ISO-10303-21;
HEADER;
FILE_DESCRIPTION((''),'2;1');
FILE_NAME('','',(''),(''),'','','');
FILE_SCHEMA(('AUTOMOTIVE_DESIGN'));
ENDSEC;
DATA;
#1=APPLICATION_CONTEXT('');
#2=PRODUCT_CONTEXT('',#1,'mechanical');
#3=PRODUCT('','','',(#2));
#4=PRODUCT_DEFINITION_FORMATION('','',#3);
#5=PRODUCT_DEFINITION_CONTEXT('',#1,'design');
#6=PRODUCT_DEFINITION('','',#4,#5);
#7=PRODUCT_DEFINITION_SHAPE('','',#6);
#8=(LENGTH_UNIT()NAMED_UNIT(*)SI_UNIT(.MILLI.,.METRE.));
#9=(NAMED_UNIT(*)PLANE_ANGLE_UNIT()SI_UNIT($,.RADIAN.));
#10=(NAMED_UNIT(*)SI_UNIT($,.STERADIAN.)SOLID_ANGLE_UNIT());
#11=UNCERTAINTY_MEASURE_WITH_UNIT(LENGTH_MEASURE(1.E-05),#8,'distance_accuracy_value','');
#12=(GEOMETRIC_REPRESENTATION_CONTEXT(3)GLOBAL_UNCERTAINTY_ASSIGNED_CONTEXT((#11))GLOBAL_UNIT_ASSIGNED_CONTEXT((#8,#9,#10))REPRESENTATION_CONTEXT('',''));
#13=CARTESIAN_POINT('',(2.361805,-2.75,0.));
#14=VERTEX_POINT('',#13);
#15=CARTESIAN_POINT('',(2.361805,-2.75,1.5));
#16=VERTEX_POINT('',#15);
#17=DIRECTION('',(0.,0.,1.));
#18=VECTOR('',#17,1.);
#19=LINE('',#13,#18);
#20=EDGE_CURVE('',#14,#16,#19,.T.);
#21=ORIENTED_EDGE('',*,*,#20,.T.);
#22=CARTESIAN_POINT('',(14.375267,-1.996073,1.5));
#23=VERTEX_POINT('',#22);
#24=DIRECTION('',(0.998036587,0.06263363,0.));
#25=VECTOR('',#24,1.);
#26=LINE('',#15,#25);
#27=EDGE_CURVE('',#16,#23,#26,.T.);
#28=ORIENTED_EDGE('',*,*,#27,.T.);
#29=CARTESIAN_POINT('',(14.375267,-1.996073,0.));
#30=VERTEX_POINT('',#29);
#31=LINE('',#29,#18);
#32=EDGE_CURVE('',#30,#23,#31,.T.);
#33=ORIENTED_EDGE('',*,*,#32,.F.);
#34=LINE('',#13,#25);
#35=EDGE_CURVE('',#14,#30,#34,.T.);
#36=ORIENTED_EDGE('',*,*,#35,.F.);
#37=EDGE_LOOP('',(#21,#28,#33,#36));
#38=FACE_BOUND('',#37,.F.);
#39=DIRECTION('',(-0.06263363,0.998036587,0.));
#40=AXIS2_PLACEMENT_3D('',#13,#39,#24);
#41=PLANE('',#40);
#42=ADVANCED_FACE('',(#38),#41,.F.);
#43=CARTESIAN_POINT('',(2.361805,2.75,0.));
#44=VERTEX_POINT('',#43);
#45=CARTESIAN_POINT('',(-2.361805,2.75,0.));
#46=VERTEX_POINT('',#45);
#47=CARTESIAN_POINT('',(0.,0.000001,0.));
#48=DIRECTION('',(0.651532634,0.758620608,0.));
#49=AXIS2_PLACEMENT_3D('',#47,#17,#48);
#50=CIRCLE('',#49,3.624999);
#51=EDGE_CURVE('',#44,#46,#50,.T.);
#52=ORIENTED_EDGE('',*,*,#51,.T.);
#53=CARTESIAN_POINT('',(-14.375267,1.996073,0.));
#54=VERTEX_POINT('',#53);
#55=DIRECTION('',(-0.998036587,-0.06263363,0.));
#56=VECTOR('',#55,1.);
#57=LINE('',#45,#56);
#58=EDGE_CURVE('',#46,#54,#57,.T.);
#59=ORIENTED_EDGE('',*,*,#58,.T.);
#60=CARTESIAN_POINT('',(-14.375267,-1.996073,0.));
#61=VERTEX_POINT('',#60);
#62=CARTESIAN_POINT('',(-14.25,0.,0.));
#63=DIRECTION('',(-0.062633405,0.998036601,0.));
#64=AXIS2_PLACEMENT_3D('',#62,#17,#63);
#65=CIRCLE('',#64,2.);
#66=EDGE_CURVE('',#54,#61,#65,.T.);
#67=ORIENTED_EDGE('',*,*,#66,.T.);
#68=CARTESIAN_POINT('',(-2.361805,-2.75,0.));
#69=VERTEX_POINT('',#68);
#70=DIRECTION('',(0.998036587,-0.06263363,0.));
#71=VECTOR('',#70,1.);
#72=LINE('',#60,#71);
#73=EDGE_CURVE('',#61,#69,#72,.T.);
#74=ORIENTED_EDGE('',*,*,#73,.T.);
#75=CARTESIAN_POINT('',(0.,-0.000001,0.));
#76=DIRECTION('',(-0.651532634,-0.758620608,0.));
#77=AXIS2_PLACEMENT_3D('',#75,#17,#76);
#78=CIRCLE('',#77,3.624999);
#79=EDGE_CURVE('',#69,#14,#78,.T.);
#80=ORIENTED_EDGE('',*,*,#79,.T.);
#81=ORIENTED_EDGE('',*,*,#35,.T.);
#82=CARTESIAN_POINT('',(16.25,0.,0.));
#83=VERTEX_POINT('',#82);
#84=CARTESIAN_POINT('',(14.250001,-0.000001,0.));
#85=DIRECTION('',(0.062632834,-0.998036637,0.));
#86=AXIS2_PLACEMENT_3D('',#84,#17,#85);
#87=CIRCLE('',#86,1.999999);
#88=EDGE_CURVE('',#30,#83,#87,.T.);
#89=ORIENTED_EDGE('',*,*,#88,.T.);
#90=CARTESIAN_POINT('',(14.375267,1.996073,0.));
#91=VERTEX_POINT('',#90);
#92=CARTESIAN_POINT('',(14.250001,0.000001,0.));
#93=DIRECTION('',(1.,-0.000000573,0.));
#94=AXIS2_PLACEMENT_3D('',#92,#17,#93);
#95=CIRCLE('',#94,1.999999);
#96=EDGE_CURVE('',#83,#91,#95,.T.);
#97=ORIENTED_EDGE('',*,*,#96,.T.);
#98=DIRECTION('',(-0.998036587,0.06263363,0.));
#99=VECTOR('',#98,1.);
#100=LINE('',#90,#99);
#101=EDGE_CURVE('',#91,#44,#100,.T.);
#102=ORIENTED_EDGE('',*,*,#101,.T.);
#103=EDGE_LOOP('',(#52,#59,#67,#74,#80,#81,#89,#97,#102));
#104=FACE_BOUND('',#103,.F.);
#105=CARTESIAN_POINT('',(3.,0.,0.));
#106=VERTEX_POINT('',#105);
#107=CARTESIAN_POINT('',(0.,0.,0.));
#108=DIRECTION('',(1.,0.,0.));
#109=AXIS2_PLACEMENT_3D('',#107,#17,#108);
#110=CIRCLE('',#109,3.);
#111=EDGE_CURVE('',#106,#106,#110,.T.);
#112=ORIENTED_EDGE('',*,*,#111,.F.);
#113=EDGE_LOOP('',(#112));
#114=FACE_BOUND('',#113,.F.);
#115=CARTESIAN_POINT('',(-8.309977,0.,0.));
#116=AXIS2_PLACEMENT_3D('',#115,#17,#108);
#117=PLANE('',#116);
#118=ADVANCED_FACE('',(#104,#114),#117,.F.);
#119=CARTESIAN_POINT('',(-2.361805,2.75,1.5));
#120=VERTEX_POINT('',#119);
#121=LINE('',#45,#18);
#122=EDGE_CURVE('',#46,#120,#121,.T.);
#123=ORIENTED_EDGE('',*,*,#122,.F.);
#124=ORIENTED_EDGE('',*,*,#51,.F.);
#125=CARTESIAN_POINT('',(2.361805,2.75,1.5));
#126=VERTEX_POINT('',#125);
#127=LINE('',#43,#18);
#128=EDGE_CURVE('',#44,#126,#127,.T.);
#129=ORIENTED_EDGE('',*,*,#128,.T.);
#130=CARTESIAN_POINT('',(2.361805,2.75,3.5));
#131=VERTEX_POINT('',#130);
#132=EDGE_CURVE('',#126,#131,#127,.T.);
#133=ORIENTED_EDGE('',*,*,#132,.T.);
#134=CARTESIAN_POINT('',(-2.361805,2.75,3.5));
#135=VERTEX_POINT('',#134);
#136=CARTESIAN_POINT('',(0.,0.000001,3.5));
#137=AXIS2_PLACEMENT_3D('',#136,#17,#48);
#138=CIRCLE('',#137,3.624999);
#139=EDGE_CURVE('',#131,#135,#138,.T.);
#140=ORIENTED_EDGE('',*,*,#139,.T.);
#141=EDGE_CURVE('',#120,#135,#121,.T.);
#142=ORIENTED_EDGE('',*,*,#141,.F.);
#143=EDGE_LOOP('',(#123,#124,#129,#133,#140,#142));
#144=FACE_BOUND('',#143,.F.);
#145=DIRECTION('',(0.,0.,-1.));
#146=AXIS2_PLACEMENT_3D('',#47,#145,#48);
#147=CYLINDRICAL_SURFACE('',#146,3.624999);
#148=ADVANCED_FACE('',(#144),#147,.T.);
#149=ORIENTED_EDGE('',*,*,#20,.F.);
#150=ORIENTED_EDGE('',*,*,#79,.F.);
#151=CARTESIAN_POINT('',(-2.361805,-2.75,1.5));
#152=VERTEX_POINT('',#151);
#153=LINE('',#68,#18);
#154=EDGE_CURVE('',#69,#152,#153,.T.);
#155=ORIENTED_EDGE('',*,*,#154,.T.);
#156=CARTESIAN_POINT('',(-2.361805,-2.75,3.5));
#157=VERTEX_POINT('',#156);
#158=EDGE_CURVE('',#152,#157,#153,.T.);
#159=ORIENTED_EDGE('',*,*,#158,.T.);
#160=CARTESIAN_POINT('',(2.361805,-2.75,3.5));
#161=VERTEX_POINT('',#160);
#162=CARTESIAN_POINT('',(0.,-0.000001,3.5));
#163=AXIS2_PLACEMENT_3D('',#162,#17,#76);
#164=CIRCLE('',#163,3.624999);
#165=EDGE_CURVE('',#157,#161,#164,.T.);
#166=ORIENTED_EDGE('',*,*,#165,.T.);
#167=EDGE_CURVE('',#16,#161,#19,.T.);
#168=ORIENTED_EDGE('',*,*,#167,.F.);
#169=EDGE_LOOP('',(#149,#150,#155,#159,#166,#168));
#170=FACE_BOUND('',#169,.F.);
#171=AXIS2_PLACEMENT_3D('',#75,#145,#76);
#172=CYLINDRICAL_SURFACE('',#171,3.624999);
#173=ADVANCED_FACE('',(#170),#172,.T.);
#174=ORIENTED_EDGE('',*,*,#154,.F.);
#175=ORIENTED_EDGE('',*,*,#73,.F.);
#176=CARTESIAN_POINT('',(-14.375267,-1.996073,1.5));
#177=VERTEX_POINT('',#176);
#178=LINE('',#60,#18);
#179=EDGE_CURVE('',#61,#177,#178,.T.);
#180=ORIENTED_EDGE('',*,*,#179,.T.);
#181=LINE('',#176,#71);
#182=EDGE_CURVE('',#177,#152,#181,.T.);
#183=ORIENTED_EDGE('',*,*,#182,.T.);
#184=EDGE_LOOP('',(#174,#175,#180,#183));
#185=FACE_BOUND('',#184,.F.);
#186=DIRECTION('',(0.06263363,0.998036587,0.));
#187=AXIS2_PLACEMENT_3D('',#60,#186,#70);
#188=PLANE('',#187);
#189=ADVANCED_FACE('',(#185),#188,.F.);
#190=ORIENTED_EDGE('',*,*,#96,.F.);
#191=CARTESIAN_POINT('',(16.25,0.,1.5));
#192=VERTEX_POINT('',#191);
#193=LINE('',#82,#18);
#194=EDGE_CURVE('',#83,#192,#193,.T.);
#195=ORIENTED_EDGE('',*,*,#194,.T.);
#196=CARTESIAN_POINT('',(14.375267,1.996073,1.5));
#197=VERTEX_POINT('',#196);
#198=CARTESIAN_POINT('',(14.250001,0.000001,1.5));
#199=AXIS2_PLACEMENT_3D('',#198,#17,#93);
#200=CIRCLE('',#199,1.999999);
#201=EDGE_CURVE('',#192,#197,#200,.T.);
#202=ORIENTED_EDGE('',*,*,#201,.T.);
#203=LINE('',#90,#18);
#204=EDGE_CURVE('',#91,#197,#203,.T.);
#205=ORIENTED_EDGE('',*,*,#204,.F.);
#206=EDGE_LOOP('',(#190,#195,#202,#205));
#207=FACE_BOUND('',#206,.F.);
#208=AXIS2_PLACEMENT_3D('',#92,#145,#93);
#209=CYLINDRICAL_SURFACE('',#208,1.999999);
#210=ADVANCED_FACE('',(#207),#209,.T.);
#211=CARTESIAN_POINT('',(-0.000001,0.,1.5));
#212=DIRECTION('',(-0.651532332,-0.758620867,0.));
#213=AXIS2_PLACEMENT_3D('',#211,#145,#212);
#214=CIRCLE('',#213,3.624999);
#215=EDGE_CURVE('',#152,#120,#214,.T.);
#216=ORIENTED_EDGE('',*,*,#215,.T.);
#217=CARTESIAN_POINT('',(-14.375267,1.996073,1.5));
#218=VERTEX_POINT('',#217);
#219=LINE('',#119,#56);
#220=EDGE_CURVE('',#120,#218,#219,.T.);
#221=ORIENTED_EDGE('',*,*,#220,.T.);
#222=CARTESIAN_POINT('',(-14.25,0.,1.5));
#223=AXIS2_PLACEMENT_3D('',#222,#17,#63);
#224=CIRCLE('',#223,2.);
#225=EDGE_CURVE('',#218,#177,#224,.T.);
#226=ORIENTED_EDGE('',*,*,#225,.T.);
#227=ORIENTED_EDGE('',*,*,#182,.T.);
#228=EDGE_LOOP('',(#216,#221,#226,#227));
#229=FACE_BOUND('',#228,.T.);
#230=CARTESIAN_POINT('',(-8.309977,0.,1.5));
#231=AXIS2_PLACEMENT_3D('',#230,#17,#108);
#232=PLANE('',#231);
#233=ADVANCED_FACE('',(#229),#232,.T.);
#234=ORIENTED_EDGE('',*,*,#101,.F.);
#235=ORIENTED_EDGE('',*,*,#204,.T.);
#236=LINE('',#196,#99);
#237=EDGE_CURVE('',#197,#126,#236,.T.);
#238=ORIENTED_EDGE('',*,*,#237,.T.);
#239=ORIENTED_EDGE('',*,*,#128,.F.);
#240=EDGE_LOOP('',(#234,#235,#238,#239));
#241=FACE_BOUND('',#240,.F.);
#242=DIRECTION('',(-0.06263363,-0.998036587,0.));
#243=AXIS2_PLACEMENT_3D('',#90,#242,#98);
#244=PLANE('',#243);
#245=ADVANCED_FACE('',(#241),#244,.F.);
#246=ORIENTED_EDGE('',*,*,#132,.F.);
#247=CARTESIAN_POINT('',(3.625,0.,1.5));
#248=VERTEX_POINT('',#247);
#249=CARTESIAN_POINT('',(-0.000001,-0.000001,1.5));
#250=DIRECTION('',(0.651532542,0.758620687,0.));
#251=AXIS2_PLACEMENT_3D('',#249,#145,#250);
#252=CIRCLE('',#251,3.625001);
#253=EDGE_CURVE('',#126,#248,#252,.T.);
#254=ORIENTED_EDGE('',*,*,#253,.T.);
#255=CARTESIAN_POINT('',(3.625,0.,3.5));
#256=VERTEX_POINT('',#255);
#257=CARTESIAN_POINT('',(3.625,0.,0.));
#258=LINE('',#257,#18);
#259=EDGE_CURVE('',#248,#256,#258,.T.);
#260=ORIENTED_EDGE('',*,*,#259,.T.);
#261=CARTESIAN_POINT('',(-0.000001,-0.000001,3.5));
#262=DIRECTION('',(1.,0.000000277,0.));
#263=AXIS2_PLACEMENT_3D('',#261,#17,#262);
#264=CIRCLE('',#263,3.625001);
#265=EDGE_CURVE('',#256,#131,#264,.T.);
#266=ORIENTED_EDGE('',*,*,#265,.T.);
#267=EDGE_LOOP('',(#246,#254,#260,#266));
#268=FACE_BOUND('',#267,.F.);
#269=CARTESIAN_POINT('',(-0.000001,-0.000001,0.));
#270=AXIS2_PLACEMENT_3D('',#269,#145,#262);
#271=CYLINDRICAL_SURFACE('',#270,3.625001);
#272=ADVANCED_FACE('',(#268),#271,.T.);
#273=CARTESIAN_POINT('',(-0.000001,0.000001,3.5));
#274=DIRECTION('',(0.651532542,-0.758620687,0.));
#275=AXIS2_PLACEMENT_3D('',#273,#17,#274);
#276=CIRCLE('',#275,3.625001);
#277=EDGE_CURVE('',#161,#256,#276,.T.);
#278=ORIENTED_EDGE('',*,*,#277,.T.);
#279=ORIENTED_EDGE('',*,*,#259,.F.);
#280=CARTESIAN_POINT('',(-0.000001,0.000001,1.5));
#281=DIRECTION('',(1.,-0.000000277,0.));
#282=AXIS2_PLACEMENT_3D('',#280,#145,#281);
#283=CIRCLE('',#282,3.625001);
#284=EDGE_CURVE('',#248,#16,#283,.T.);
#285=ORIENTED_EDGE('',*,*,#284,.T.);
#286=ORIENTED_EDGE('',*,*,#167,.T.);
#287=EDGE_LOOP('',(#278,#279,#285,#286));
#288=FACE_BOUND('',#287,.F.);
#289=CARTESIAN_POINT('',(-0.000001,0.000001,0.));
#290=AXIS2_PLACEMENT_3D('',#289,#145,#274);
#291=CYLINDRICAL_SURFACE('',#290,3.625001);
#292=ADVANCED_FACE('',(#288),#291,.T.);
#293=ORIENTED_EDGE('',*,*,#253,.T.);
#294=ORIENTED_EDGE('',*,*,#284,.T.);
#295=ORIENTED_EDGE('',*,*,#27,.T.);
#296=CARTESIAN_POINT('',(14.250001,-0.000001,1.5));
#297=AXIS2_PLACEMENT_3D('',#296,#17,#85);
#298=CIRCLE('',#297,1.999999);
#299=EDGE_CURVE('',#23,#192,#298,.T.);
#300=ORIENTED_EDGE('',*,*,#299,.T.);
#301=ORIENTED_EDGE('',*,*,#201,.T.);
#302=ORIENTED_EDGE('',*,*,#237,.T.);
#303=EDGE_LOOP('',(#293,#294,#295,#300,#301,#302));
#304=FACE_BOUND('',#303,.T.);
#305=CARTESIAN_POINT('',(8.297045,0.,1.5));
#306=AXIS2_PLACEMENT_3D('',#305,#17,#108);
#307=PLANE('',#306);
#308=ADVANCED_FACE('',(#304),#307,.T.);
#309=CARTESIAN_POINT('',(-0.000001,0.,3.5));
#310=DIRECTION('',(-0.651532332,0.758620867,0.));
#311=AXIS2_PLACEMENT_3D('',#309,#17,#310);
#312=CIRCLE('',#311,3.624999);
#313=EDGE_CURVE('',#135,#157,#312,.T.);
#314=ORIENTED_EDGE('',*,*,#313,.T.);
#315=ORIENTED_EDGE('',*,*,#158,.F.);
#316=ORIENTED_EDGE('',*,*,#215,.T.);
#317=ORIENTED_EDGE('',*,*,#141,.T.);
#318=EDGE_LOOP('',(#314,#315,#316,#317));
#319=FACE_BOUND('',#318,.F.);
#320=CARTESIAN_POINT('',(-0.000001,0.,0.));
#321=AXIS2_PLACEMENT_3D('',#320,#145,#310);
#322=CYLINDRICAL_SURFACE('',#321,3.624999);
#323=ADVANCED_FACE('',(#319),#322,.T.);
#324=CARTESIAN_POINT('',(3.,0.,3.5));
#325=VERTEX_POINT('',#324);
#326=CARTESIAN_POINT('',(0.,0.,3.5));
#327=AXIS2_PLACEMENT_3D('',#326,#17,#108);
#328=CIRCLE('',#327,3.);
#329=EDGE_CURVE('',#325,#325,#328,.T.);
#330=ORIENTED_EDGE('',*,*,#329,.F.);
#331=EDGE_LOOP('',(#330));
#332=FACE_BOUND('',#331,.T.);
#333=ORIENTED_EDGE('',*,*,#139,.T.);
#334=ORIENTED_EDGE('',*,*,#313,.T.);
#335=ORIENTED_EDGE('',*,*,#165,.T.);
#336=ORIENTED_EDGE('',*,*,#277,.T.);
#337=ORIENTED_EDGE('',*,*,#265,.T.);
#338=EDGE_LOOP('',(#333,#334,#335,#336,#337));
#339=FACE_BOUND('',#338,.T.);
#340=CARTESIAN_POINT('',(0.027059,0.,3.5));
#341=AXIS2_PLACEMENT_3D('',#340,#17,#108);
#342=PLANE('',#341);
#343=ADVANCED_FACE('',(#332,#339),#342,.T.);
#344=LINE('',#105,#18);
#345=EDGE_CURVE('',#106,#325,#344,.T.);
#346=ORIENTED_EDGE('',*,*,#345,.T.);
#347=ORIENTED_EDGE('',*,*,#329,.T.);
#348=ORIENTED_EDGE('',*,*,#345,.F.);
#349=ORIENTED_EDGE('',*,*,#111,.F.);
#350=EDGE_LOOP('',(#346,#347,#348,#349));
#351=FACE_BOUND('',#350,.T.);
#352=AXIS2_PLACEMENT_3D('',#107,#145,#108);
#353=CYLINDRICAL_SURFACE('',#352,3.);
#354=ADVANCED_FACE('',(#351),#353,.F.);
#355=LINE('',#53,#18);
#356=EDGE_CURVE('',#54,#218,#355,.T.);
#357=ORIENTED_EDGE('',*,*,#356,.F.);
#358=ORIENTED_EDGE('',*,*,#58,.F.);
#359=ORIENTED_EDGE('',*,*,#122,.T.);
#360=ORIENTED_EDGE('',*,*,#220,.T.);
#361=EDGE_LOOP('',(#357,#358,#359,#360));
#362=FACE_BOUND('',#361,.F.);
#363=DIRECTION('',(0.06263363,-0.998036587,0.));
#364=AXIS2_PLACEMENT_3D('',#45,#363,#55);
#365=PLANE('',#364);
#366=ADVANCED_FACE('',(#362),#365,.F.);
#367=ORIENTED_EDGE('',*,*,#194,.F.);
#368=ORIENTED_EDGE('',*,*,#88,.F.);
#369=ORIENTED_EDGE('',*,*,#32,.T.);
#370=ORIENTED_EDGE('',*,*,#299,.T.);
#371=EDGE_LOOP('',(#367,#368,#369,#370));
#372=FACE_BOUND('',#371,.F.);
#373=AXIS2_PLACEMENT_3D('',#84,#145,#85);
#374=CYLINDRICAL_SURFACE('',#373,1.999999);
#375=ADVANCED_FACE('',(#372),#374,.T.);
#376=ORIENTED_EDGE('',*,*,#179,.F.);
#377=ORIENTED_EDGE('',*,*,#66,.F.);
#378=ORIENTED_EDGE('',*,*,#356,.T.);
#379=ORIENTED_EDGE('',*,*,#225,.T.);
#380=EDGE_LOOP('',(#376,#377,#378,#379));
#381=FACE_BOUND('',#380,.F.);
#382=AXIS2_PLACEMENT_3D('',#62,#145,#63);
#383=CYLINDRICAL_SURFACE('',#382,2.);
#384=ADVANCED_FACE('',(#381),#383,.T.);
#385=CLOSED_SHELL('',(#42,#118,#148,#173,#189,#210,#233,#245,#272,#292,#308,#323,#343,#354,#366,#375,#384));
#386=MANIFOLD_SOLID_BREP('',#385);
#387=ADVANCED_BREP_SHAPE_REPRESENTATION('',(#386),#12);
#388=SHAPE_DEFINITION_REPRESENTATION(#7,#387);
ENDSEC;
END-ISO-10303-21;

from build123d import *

# Parameters (mm, degrees)
F0_R     = 3
F1_DEPTH = 3.5
F2_DEPTH = 1.5


with BuildPart() as f1:
    # F0 (on Top) → F1 (new body)
    with BuildSketch(Plane.XY):
        with BuildLine():
            ThreePointArc((2.361805, -2.75), (3.294098, -1.513123), (3.625, 0))
            ThreePointArc((3.625, 0), (3.294098, 1.513123), (2.361805, 2.75))
            ThreePointArc((2.361805, 2.75), (0, 3.625), (-2.361805, 2.75))
            ThreePointArc((-2.361805, 2.75), (-3.625, 0), (-2.361805, -2.75))
            ThreePointArc((-2.361805, -2.75), (0, -3.625), (2.361805, -2.75))
        make_face()
        Circle(F0_R, mode=Mode.SUBTRACT)
    extrude(amount=F1_DEPTH)

    # F0 (on Top) → F2 (join)
    with BuildSketch(Plane.XY):
        with BuildLine():
            ThreePointArc((-2.361805, -2.75), (-3.625, 0), (-2.361805, 2.75))
            Line((-2.361805, 2.75), (-14.375267, 1.996073))
            ThreePointArc((-14.375267, 1.996073), (-12.880791, 1.45783), (-12.25, 0))
            ThreePointArc((-12.25, 0), (-12.880791, -1.45783), (-14.375267, -1.996073))
            Line((-14.375267, -1.996073), (-2.361805, -2.75))
        make_face()
        with BuildLine():
            ThreePointArc((-12.25, 0), (-12.880791, 1.45783), (-14.375267, 1.996073))
            ThreePointArc((-14.375267, 1.996073), (-16.25, 0), (-14.375267, -1.996073))
            ThreePointArc((-14.375267, -1.996073), (-12.880791, -1.45783), (-12.25, 0))
        make_face()
        with BuildLine():
            ThreePointArc((2.361805, 2.75), (3.294098, 1.513123), (3.625, 0))
            ThreePointArc((3.625, 0), (3.294098, -1.513123), (2.361805, -2.75))
            Line((2.361805, -2.75), (14.375267, -1.996073))
            ThreePointArc((14.375267, -1.996073), (12.25, 0), (14.375267, 1.996073))
            Line((14.375267, 1.996073), (2.361805, 2.75))
        make_face()
        with BuildLine():
            ThreePointArc((16.25, 0), (15.70783, 1.369209), (14.375267, 1.996073))
            ThreePointArc((14.375267, 1.996073), (12.25, 0), (14.375267, -1.996073))
            ThreePointArc((14.375267, -1.996073), (15.70783, -1.369209), (16.25, 0))
        make_face()
    extrude(amount=F2_DEPTH)


solid = f1.part
